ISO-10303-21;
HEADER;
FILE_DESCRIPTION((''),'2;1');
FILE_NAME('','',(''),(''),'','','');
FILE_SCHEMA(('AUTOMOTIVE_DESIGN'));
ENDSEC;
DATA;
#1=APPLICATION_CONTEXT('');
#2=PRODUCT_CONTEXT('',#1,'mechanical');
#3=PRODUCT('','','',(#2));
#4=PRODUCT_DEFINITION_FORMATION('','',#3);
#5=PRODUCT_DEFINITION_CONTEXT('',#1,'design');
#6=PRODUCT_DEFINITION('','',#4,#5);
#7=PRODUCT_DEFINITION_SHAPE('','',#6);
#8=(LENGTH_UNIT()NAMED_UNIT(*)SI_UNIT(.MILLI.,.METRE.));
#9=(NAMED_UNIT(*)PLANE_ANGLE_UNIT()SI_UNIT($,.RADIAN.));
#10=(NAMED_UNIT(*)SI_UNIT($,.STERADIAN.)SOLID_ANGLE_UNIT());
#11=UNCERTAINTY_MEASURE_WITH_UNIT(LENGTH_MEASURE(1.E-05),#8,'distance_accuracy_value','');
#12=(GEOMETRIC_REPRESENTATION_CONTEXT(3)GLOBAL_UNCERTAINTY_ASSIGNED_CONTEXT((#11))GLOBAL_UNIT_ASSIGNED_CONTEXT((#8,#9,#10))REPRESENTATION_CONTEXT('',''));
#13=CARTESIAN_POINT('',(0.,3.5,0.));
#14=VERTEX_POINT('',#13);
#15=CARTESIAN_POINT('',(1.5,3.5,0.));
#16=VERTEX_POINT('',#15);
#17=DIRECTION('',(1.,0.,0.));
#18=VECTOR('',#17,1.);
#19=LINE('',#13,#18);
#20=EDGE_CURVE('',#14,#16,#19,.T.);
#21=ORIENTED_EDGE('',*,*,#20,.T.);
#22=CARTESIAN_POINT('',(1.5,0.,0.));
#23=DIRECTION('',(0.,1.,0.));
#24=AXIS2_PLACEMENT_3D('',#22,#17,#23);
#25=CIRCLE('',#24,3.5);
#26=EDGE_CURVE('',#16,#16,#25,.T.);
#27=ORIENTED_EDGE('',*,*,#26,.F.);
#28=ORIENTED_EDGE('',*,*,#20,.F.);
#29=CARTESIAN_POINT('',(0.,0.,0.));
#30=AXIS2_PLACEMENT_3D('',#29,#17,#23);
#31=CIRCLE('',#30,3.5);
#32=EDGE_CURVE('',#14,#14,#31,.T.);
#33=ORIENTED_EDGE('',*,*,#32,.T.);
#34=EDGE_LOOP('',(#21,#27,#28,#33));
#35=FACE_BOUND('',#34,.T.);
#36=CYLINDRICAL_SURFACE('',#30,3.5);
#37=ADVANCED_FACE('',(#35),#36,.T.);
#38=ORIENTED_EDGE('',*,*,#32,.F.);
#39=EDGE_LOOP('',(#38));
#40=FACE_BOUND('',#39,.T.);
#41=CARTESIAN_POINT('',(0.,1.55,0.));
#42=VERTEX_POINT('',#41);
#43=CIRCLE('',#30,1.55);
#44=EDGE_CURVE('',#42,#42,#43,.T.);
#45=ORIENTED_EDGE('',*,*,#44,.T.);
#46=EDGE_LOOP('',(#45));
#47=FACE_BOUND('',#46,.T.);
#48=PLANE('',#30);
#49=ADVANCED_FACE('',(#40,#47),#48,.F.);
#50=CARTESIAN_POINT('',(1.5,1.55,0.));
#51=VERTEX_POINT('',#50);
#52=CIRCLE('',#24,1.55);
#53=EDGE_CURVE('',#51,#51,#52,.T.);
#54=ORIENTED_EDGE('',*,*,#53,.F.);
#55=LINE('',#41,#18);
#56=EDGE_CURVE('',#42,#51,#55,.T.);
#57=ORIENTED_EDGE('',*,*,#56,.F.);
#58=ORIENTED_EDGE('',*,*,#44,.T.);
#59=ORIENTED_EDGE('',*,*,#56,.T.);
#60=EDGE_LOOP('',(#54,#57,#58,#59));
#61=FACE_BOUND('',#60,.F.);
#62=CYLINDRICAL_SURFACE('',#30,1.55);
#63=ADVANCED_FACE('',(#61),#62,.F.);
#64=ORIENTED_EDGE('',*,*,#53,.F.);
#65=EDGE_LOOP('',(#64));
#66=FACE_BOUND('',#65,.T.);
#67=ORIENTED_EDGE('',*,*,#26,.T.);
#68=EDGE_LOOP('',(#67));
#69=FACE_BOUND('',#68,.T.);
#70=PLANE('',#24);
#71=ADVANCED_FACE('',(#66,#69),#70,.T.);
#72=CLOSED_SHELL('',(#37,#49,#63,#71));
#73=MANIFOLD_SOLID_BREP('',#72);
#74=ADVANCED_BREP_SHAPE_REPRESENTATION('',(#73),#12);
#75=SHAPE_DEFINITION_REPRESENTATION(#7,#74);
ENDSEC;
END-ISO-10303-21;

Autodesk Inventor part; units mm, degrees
ref_plane "YZ Plane" through (0, 0, 0) normal (1, 0, 0) x (0, 1, 0)
ref_plane "XZ Plane" through (0, 0, 0) normal (0, 1, 0) x (-1, 0, 0)
ref_plane "XY Plane" through (0, 0, 0) normal (0, 0, 1) x (1, 0, 0)
sketch "Sketch1" plane through (0, 0, 0) normal (0, 0, 1) x (1, 0, 0)
  line L0 (0, 0) -> (15.4745, 0) construction
  line L1 (0, 0) -> (0, 3.5)
  line L2 (0, 3.5) -> (1.5, 3.5)
  line L3 (1.5, 3.5) -> (1.5, 0)
  line L4 (0, 1.55) -> (1.5, 1.55)
  line L5 (0, 0) -> (1.5, 0)
  dimension "d0" = 3.1
  dimension "d1" = 7
  dimension "d2" = 1.5
revolve "Revolution1" add sketch "Sketch1" angle 360 about axis through (0, 0, 0) along (1, 0, 0) contours L1 L2 L3 L4
properties part number "Stepper Motor Rondelle2"
